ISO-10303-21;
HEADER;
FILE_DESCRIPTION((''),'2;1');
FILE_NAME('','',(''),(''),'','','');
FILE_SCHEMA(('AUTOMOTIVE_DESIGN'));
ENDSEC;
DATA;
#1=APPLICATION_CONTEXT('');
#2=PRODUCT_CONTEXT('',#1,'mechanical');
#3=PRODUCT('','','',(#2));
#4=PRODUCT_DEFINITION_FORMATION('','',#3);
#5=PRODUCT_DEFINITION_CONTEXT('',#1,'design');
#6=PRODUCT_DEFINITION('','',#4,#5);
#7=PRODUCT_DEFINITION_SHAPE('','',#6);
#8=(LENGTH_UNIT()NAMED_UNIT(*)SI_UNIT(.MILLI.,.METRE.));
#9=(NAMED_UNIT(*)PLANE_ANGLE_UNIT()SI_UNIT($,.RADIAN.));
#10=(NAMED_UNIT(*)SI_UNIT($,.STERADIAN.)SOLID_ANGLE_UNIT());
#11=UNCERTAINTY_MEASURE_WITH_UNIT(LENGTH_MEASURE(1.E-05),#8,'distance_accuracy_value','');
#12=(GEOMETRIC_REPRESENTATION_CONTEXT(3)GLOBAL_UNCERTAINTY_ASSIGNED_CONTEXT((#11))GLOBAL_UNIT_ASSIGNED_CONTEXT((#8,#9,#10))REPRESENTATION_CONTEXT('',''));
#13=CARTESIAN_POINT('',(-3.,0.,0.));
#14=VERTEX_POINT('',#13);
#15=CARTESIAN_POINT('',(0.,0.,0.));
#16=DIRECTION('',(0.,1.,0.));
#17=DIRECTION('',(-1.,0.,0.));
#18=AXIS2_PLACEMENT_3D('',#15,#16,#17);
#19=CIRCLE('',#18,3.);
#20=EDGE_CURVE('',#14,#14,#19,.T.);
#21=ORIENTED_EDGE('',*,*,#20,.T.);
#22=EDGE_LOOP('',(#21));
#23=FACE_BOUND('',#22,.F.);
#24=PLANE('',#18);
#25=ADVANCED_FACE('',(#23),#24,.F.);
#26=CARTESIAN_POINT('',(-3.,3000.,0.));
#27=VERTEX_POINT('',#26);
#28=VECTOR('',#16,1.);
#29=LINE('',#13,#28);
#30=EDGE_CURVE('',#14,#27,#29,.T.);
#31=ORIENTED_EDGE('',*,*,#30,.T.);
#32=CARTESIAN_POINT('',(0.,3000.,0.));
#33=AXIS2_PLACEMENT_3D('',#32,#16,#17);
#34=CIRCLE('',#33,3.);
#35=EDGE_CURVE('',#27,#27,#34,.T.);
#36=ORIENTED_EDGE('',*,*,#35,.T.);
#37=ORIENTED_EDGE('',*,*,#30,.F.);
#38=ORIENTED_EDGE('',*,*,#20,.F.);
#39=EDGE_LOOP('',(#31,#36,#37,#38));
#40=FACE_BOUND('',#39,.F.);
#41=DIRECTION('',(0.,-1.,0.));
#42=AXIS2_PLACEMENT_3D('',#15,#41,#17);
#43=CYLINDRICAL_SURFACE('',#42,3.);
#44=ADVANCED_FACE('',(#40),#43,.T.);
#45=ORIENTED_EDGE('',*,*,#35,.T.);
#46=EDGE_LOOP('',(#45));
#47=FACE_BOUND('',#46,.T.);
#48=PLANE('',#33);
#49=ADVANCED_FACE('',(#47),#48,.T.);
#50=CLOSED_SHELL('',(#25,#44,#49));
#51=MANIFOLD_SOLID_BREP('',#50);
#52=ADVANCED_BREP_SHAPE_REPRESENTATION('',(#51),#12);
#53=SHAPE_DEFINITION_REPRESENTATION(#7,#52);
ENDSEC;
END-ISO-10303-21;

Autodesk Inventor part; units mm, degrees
ref_plane "YZ Plane" through (0, 0, 0) normal (1, 0, 0) x (0, 1, 0)
ref_plane "Start Plane" through (0, 0, 0) normal (0, 1, 0) x (-1, 0, 0)
ref_plane "End Plane" through (0, 100, 0) normal (0, 1, 0) x (-1, 0, 0)
sketch "Sketch1" plane through (0, 0, 0) normal (0, 1, 0) x (-1, 0, 0)
  circle A0 centre (0, 0) radius 3
  dimension "d2" = 6
extrude "Body" add sketch "Sketch1" along normal blind 3000 from surface at 0
sketch "Sketch2" plane through (0, 0, 0) normal (0, 1, 0) x (-1, 0, 0)
  line L0 (0, 0) -> (10, 0)
ref_plane "Work Plane3" through (0, 0, 0) normal (0, 0, -1) x (-1, 0, 0)
sketch "Sketch3" plane through (0, 0, 0) normal (0, 0, -1) x (-1, 0, 0)
  line L0 (-2, 0) -> (12, 0)
  line L1 (-2, 100) -> (12, 100)
  dimension "d11" = 100
equation "\"G_OFFSET_START\" = 0"
equation "\"G_OFFSET_END\" = 0"
equation "\"G_L\" = d11"
properties part number "13-513"
